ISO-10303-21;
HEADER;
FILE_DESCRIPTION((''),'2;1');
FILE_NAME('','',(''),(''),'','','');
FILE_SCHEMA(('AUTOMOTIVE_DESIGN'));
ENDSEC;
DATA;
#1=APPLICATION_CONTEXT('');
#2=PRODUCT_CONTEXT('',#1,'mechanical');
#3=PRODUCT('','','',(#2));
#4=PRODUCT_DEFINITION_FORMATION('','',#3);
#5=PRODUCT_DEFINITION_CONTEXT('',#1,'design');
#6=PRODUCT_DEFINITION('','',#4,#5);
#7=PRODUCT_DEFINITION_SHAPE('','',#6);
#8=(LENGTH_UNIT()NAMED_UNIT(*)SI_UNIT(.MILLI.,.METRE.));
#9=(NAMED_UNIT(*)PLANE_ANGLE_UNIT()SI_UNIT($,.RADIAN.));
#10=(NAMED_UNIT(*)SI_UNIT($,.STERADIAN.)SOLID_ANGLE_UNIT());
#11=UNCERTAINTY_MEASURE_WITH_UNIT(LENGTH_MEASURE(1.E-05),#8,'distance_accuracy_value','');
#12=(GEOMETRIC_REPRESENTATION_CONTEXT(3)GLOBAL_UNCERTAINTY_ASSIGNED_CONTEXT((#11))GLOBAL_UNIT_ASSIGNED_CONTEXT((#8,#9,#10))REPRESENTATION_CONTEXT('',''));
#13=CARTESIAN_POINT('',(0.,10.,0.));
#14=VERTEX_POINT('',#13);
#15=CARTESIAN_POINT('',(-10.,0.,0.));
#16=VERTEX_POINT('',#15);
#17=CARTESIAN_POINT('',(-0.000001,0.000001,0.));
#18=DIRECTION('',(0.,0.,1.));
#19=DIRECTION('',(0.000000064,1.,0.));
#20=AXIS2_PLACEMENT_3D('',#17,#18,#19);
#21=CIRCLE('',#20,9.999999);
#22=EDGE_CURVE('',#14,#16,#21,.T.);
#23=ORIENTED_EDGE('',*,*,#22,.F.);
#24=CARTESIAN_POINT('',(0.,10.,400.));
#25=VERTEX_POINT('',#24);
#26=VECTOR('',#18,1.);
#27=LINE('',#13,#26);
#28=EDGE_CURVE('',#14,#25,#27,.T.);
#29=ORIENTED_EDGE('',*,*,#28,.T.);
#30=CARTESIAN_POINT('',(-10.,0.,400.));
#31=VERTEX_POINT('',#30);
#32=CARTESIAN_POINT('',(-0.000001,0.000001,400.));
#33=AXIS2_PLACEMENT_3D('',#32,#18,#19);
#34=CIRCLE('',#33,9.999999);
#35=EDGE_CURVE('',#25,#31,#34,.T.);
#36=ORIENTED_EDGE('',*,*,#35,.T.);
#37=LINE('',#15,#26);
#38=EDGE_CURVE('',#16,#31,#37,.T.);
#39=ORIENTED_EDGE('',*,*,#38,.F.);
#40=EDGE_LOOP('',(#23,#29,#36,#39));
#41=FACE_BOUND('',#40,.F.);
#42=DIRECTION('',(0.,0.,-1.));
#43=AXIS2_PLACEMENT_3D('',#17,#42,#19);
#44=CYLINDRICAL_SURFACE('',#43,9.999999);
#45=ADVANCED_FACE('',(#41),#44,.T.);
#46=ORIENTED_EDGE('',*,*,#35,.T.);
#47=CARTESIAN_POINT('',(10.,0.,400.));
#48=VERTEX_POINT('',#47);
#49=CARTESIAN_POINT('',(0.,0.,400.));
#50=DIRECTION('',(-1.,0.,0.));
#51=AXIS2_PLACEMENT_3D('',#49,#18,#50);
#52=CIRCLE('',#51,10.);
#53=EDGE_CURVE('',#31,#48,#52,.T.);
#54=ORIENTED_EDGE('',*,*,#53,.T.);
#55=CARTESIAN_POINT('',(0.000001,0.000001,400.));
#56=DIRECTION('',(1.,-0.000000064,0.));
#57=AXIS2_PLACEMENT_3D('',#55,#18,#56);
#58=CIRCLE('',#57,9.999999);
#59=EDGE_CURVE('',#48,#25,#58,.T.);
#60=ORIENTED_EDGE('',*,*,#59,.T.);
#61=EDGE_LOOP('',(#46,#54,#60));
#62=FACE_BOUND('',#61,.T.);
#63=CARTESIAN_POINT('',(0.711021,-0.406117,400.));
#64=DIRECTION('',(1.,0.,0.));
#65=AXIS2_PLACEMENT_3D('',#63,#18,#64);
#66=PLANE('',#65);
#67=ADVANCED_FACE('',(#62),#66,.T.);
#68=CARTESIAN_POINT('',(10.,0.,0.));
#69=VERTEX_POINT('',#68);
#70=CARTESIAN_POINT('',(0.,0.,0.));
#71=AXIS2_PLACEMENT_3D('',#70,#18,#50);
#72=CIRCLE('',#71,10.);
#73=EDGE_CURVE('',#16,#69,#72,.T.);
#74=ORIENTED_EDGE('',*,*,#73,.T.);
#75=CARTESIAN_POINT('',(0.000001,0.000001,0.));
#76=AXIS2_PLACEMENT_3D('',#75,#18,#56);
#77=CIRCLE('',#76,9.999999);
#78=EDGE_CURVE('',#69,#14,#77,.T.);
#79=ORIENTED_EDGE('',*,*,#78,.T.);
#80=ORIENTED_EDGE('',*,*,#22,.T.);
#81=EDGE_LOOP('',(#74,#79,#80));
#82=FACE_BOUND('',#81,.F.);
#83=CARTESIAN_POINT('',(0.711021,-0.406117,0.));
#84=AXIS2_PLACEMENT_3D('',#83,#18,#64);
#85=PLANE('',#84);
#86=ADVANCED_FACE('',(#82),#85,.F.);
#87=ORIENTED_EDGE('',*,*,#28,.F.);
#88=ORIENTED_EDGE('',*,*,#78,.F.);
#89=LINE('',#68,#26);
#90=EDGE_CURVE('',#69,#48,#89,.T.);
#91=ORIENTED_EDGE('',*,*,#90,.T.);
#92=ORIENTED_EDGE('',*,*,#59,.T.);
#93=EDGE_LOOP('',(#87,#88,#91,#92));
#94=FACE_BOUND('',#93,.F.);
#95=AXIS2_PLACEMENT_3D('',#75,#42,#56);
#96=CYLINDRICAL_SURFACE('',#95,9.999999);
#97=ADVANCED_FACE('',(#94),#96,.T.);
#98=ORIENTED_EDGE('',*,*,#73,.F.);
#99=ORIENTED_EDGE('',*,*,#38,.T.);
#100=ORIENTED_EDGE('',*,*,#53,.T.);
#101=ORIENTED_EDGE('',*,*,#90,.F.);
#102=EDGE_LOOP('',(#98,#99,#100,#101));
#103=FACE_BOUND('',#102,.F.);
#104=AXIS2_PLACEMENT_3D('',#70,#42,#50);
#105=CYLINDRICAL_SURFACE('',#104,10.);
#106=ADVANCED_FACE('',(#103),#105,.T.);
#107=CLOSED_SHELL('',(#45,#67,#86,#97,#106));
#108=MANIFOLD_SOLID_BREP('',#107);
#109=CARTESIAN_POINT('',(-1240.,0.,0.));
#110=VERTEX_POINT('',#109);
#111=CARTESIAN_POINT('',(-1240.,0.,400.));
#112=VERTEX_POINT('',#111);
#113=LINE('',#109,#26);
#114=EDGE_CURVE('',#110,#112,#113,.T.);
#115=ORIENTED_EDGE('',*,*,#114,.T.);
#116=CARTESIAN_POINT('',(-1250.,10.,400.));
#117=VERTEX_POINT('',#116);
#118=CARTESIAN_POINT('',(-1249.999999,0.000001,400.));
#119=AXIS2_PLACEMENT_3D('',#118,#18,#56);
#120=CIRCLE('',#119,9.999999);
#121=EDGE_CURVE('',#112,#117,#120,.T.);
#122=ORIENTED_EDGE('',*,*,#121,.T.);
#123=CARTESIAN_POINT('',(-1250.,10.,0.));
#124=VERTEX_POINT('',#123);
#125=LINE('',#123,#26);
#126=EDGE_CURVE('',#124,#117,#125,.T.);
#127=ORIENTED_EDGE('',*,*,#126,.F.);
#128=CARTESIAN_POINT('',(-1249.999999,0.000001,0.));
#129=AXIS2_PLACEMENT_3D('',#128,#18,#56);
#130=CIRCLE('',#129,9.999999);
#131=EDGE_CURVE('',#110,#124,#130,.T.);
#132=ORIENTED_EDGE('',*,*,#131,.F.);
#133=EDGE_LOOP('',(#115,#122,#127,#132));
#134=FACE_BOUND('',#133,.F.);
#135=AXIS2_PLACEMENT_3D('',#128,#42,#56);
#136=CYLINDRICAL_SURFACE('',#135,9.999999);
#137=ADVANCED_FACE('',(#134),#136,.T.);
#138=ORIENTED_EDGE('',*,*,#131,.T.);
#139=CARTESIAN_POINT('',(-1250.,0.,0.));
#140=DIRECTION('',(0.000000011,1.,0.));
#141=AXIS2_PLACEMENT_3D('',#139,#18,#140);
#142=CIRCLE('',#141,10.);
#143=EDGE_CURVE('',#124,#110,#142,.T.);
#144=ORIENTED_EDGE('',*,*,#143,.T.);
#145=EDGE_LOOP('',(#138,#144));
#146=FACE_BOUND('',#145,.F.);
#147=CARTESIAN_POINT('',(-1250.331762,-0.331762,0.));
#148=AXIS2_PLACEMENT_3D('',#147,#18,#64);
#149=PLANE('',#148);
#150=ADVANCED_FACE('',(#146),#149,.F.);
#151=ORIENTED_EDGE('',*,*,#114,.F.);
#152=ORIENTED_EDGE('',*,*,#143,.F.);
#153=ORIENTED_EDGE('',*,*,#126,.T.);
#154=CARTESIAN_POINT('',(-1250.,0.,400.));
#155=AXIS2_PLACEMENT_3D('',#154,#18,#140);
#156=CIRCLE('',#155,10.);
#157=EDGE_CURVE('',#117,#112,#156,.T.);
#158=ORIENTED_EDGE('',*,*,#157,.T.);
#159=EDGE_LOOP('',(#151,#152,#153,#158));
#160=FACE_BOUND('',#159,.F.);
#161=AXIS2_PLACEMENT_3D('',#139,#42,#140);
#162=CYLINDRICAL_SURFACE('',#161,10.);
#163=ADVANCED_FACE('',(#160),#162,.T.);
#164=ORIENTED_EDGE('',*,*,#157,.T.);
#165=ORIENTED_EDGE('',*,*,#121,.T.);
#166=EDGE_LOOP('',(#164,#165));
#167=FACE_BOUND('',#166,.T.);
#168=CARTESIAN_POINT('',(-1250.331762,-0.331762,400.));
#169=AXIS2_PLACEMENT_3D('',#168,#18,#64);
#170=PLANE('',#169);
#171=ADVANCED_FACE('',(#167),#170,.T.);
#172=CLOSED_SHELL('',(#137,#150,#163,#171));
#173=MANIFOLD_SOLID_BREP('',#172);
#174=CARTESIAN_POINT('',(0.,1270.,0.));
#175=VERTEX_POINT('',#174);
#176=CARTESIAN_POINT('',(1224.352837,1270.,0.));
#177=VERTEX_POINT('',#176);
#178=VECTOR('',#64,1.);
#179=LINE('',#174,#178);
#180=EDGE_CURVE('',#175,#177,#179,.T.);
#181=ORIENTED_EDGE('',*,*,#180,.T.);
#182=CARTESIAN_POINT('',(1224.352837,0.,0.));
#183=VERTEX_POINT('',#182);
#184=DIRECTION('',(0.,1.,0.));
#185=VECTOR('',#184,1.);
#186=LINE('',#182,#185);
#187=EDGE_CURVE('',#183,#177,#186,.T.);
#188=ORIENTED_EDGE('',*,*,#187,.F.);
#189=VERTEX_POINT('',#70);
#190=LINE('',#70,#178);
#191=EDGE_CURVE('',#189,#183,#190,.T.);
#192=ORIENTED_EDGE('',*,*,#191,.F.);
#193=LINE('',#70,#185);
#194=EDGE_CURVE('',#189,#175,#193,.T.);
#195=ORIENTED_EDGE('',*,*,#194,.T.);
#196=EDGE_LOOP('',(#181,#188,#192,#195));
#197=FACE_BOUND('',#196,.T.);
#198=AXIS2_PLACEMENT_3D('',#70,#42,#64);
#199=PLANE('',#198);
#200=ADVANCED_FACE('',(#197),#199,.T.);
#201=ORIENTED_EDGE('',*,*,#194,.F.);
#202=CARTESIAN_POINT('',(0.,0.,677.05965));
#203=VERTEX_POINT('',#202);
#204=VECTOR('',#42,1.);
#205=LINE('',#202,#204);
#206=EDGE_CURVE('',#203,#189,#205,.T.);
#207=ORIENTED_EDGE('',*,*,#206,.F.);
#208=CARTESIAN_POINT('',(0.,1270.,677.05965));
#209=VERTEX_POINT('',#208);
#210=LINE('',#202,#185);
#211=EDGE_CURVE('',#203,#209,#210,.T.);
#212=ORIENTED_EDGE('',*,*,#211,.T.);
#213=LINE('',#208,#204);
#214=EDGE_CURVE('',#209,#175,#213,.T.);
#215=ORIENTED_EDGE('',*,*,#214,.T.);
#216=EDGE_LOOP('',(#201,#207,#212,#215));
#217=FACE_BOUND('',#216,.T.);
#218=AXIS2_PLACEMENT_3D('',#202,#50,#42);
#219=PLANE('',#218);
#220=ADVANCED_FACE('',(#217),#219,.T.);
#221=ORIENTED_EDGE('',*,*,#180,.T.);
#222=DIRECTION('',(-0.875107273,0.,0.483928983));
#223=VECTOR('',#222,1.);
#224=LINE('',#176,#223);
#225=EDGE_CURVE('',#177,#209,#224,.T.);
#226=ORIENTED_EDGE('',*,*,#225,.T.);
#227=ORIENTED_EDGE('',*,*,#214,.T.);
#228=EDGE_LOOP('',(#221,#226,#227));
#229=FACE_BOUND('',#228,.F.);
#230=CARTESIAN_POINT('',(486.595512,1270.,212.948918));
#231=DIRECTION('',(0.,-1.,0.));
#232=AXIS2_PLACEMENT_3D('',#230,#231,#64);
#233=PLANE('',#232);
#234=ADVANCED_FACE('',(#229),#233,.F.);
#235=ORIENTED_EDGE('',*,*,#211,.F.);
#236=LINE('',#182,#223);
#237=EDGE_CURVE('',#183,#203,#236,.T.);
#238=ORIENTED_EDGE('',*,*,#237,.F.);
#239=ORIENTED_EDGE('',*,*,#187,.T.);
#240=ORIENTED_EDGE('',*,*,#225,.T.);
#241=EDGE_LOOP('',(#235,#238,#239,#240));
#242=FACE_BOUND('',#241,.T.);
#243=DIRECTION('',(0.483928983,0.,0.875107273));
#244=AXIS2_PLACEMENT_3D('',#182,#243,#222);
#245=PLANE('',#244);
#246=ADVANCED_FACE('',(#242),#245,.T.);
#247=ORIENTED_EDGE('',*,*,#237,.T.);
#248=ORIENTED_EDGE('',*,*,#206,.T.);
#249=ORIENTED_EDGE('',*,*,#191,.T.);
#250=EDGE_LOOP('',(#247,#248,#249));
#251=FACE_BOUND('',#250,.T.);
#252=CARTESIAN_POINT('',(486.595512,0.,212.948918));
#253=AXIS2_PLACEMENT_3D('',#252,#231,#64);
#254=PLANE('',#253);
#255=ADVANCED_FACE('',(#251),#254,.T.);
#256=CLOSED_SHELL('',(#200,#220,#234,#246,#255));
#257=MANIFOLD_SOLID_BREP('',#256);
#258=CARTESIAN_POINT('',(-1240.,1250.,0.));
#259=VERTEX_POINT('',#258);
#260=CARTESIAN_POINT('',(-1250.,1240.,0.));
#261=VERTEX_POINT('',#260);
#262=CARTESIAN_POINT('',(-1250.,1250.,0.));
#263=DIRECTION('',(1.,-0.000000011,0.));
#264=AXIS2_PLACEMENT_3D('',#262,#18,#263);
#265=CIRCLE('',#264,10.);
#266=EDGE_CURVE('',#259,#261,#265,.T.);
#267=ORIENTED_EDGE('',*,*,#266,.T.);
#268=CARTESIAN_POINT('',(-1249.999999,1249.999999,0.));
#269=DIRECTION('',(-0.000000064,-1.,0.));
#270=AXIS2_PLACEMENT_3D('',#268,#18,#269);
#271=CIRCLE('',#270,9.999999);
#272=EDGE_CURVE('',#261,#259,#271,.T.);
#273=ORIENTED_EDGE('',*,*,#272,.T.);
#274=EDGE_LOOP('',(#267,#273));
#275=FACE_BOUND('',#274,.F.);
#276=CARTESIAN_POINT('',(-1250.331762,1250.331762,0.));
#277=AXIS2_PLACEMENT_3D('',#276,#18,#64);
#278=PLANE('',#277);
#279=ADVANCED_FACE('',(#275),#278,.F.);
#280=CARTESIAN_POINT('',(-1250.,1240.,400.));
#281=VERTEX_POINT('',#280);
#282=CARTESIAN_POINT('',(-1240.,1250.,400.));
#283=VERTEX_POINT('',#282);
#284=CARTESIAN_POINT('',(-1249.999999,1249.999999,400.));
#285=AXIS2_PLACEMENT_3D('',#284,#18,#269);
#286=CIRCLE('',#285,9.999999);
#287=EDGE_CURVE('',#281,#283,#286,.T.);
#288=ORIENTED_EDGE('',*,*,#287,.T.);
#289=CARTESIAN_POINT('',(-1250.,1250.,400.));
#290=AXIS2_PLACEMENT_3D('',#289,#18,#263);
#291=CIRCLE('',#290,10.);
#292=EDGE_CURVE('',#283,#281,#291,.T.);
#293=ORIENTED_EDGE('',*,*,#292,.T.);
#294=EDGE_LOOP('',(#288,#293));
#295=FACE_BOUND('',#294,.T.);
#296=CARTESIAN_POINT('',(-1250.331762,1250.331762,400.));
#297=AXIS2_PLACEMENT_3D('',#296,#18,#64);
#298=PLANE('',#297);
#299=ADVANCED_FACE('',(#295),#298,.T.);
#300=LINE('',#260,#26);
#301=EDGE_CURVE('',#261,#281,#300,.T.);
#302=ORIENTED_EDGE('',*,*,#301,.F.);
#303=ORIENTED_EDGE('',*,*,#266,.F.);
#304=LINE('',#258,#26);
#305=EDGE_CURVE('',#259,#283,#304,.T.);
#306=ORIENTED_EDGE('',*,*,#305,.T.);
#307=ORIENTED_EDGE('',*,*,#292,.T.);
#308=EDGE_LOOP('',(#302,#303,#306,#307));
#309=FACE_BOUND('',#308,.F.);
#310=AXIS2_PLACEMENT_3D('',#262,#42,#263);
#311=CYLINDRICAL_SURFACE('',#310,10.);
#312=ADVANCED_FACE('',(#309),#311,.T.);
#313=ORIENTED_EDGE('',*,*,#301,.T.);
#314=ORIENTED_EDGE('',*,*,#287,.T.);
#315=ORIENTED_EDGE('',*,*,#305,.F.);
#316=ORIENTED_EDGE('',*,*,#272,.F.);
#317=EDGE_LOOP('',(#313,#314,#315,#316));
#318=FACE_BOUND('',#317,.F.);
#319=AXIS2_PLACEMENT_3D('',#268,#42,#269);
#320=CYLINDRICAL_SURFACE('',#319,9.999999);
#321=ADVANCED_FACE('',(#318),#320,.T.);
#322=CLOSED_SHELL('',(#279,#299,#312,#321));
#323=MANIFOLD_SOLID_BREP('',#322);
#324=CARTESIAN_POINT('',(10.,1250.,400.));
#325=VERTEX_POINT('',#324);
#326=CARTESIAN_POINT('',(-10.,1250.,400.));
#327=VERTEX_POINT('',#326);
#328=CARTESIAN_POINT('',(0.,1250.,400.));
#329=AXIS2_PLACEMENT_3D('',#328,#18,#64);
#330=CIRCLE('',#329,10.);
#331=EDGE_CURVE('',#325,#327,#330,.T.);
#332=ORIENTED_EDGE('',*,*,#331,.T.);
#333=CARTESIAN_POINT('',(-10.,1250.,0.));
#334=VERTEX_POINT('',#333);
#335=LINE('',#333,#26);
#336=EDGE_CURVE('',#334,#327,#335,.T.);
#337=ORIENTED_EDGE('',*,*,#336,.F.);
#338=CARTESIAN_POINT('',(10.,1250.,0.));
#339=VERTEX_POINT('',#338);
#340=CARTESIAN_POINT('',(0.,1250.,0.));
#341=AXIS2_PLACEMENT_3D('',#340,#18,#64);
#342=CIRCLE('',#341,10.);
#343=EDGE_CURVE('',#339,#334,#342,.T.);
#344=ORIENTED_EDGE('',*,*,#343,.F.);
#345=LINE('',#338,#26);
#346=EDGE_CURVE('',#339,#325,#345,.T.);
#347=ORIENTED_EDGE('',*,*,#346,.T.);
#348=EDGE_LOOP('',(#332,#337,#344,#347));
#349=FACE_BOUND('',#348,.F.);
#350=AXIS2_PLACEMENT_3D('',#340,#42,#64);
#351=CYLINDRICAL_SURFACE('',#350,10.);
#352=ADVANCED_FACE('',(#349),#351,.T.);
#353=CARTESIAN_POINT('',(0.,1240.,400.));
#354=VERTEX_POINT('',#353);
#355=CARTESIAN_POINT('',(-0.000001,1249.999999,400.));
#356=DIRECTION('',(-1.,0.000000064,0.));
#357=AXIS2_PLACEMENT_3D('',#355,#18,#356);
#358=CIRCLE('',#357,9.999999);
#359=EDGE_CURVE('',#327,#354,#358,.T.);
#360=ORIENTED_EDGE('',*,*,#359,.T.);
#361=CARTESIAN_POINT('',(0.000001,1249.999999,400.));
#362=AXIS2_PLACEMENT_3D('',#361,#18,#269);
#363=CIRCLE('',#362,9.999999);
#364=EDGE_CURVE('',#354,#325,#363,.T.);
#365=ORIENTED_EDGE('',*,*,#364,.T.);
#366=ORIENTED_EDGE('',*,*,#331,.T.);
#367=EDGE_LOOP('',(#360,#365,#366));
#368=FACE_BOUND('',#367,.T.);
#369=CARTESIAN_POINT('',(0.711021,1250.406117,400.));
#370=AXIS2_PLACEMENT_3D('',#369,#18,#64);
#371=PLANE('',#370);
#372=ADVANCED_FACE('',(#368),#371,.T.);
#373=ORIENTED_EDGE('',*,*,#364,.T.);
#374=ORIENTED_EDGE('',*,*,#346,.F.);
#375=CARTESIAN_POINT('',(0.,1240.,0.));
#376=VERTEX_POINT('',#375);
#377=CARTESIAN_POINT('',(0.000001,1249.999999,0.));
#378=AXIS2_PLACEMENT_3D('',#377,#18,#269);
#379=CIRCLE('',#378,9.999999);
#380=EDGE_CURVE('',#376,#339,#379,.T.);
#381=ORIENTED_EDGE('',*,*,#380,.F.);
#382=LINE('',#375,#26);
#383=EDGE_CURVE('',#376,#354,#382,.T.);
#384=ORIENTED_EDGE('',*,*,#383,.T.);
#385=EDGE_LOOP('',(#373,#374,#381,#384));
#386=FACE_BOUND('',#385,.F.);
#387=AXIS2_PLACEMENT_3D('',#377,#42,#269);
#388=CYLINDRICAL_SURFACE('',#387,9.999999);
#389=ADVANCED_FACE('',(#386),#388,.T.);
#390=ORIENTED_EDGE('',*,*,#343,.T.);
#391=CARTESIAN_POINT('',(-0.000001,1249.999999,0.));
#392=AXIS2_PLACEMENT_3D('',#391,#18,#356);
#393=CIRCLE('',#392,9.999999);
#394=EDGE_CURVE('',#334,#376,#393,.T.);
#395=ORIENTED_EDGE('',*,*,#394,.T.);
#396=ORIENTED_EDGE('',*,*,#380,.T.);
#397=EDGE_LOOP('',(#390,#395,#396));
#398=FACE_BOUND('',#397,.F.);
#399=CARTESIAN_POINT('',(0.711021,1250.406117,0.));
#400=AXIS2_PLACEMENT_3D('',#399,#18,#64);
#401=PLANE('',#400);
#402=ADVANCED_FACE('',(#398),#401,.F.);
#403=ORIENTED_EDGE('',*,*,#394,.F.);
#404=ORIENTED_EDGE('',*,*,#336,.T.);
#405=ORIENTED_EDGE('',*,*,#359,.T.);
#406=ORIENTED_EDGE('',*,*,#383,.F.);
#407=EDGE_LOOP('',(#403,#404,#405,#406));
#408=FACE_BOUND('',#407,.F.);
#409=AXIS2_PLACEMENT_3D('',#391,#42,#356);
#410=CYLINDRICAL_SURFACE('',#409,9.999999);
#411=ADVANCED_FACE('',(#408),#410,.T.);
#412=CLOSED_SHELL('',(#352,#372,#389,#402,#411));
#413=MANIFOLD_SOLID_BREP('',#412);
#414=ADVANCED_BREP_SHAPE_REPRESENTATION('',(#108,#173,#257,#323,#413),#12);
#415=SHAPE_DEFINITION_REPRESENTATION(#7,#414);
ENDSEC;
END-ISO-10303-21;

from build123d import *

# Parameters (mm, degrees)
F1_DEPTH = 400
F3_DEPTH = 1270


with BuildPart() as f1:
    # F0 (on Top) → F1 (new body)
    with BuildSketch(Plane.XY):
        with BuildLine():
            Line((0, 1250), (0, 1240))
            ThreePointArc((0, 1240), (7.071068, 1242.928932), (10, 1250))
            ThreePointArc((10, 1250), (0, 1260), (-10, 1250))
            Line((-10, 1250), (0, 1250))
        make_face()
        with BuildLine():
            ThreePointArc((-10, 1250), (-7.071068, 1242.928932), (0, 1240))
            Line((0, 1240), (0, 1250))
            Line((0, 1250), (-10, 1250))
        make_face()
        with BuildLine():
            Line((-1250, 1250), (-1240, 1250))
            ThreePointArc((-1240, 1250), (-1257.071068, 1257.071068), (-1250, 1240))
            Line((-1250, 1240), (-1250, 1250))
        make_face()
        with BuildLine():
            ThreePointArc((-1250, 1240), (-1242.928932, 1242.928932), (-1240, 1250))
            Line((-1240, 1250), (-1250, 1250))
            Line((-1250, 1250), (-1250, 1240))
        make_face()
        with BuildLine():
            ThreePointArc((-1250, 10), (-1257.071068, -7.071068), (-1240, 0))
            Line((-1240, 0), (-1250, 0))
            Line((-1250, 0), (-1250, 10))
        make_face()
        with BuildLine():
            Line((-1250, 0), (-1240, 0))
            ThreePointArc((-1240, 0), (-1242.928932, 7.071068), (-1250, 10))
            Line((-1250, 10), (-1250, 0))
        make_face()
        with BuildLine():
            Line((0, 10), (0, 0))
            Line((0, 0), (-10, 0))
            ThreePointArc((-10, 0), (0, -10), (10, 0))
            ThreePointArc((10, 0), (7.071068, 7.071068), (0, 10))
        make_face()
        with BuildLine():
            Line((-10, 0), (0, 0))
            Line((0, 0), (0, 10))
            ThreePointArc((0, 10), (-7.071068, 7.071068), (-10, 0))
        make_face()
    extrude(amount=F1_DEPTH)


with BuildPart() as f3:
    # F2 (on Front) → F3 (new body)
    with BuildSketch(Plane.XZ):
        Polygon((0, 400.341839), (0, 0), (1224.352837, 0), (0, 677.05965), (0, 641.092658), align=None)
    extrude(amount=-F3_DEPTH)


solid = Compound([f1.part, f3.part])
